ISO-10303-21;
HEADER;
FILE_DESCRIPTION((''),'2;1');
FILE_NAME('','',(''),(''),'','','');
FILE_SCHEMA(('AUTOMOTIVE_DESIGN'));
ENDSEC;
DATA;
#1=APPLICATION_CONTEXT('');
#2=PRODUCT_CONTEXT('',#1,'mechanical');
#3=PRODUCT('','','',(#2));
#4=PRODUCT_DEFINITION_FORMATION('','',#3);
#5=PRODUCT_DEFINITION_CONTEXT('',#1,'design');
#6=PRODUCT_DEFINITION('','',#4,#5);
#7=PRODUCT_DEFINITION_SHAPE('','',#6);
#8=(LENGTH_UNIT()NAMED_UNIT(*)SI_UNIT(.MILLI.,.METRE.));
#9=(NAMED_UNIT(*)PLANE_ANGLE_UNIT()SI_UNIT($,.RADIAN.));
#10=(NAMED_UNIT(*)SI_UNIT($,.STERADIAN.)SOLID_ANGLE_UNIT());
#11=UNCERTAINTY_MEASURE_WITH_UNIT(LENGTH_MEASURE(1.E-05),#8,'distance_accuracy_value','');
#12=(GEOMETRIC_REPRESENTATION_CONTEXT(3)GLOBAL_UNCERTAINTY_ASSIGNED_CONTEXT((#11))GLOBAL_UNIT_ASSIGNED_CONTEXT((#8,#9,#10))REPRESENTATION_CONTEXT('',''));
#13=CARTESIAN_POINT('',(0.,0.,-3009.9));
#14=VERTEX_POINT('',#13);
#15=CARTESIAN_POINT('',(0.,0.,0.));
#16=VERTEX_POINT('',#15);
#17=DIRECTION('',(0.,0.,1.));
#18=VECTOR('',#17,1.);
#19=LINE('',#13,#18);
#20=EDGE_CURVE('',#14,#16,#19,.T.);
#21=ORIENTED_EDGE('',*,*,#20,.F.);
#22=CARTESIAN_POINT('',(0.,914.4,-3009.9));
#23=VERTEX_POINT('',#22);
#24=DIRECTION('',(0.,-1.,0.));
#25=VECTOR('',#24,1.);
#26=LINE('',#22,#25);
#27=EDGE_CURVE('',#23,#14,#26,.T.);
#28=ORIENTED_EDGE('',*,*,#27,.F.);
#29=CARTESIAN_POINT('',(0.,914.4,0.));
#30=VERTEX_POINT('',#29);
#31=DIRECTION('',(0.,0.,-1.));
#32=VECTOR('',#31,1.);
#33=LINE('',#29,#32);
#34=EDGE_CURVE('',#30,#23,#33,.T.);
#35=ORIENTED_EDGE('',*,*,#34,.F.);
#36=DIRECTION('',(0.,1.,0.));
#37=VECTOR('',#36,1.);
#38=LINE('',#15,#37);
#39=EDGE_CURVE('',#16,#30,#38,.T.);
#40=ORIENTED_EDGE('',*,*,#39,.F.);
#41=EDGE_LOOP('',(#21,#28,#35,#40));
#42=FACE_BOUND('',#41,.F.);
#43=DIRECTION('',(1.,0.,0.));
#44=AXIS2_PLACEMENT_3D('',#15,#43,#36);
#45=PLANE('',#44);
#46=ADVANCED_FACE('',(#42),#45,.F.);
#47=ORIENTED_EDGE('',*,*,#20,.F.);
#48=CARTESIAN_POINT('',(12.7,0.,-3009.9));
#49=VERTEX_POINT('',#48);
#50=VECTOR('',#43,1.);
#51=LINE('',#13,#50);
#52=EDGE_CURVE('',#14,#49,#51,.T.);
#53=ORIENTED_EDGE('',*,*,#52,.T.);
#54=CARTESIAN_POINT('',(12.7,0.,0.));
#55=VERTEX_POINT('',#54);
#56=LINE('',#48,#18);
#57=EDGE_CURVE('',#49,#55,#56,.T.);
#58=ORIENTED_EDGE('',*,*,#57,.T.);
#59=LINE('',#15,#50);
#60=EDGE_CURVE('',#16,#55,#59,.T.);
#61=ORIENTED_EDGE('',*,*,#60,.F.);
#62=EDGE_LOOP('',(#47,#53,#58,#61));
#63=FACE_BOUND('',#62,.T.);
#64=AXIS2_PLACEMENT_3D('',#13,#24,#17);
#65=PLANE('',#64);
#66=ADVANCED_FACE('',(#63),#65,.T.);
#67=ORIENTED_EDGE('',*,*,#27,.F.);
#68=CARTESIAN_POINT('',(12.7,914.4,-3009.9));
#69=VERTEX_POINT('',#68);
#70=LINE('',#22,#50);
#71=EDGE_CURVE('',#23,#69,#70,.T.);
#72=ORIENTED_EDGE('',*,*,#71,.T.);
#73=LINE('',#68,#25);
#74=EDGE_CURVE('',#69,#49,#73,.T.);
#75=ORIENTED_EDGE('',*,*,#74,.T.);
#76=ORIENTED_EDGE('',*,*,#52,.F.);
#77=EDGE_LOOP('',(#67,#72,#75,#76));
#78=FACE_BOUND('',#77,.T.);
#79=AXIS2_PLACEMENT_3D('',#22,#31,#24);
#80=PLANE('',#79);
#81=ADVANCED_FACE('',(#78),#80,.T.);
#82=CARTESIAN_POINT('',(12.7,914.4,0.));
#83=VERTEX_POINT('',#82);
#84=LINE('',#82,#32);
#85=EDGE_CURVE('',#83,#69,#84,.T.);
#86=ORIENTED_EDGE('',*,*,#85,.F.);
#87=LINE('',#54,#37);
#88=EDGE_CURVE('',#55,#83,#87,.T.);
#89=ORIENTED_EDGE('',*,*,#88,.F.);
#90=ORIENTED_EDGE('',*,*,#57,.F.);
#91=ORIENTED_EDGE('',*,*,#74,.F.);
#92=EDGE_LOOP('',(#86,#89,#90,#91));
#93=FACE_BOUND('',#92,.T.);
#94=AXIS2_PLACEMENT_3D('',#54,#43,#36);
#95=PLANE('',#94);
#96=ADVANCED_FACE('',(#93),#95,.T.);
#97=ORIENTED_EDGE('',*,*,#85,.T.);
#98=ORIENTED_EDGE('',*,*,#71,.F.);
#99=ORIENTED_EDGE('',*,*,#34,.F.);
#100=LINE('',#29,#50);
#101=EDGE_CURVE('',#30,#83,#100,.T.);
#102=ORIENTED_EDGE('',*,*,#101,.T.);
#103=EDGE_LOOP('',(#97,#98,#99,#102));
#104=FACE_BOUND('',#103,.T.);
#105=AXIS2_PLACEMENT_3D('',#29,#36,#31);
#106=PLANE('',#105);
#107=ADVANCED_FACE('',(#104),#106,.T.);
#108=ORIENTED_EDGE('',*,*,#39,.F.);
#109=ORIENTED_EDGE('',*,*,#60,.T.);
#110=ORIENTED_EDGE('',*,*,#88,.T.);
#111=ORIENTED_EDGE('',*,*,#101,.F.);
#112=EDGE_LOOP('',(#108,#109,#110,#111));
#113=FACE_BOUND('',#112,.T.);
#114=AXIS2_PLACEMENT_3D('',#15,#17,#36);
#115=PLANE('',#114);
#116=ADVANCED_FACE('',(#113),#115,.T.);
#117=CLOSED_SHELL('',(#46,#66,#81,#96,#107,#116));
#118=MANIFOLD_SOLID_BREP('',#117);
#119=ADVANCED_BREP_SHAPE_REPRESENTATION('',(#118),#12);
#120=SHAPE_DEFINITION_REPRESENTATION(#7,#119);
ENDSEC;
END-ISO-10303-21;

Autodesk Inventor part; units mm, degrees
ref_plane "YZ Plane" through (0, 0, 0) normal (1, 0, 0) x (0, 1, 0)
ref_plane "XZ Plane" through (0, 0, 0) normal (0, 1, 0) x (-1, 0, 0)
ref_plane "XY Plane" through (0, 0, 0) normal (0, 0, 1) x (1, 0, 0)
sketch "Sketch1" plane through (0, 0, 0) normal (1, 0, 0) x (0, 1, 0)
  line L0 (0, 0) -> (914.4, 0)
  line L1 (914.4, 0) -> (914.4, -3009.9)
  line L2 (914.4, -3009.9) -> (0, -3009.9)
  line L3 (0, -3009.9) -> (0, 0)
  dimension "d0" = 3009.9
  dimension "d1" = 914.4
extrude "Extrusion1" add sketch "Sketch1" along normal blind 12.7
properties part number "PSHalfWall-ver2-1111-2021" material "Aluminum 6061"
